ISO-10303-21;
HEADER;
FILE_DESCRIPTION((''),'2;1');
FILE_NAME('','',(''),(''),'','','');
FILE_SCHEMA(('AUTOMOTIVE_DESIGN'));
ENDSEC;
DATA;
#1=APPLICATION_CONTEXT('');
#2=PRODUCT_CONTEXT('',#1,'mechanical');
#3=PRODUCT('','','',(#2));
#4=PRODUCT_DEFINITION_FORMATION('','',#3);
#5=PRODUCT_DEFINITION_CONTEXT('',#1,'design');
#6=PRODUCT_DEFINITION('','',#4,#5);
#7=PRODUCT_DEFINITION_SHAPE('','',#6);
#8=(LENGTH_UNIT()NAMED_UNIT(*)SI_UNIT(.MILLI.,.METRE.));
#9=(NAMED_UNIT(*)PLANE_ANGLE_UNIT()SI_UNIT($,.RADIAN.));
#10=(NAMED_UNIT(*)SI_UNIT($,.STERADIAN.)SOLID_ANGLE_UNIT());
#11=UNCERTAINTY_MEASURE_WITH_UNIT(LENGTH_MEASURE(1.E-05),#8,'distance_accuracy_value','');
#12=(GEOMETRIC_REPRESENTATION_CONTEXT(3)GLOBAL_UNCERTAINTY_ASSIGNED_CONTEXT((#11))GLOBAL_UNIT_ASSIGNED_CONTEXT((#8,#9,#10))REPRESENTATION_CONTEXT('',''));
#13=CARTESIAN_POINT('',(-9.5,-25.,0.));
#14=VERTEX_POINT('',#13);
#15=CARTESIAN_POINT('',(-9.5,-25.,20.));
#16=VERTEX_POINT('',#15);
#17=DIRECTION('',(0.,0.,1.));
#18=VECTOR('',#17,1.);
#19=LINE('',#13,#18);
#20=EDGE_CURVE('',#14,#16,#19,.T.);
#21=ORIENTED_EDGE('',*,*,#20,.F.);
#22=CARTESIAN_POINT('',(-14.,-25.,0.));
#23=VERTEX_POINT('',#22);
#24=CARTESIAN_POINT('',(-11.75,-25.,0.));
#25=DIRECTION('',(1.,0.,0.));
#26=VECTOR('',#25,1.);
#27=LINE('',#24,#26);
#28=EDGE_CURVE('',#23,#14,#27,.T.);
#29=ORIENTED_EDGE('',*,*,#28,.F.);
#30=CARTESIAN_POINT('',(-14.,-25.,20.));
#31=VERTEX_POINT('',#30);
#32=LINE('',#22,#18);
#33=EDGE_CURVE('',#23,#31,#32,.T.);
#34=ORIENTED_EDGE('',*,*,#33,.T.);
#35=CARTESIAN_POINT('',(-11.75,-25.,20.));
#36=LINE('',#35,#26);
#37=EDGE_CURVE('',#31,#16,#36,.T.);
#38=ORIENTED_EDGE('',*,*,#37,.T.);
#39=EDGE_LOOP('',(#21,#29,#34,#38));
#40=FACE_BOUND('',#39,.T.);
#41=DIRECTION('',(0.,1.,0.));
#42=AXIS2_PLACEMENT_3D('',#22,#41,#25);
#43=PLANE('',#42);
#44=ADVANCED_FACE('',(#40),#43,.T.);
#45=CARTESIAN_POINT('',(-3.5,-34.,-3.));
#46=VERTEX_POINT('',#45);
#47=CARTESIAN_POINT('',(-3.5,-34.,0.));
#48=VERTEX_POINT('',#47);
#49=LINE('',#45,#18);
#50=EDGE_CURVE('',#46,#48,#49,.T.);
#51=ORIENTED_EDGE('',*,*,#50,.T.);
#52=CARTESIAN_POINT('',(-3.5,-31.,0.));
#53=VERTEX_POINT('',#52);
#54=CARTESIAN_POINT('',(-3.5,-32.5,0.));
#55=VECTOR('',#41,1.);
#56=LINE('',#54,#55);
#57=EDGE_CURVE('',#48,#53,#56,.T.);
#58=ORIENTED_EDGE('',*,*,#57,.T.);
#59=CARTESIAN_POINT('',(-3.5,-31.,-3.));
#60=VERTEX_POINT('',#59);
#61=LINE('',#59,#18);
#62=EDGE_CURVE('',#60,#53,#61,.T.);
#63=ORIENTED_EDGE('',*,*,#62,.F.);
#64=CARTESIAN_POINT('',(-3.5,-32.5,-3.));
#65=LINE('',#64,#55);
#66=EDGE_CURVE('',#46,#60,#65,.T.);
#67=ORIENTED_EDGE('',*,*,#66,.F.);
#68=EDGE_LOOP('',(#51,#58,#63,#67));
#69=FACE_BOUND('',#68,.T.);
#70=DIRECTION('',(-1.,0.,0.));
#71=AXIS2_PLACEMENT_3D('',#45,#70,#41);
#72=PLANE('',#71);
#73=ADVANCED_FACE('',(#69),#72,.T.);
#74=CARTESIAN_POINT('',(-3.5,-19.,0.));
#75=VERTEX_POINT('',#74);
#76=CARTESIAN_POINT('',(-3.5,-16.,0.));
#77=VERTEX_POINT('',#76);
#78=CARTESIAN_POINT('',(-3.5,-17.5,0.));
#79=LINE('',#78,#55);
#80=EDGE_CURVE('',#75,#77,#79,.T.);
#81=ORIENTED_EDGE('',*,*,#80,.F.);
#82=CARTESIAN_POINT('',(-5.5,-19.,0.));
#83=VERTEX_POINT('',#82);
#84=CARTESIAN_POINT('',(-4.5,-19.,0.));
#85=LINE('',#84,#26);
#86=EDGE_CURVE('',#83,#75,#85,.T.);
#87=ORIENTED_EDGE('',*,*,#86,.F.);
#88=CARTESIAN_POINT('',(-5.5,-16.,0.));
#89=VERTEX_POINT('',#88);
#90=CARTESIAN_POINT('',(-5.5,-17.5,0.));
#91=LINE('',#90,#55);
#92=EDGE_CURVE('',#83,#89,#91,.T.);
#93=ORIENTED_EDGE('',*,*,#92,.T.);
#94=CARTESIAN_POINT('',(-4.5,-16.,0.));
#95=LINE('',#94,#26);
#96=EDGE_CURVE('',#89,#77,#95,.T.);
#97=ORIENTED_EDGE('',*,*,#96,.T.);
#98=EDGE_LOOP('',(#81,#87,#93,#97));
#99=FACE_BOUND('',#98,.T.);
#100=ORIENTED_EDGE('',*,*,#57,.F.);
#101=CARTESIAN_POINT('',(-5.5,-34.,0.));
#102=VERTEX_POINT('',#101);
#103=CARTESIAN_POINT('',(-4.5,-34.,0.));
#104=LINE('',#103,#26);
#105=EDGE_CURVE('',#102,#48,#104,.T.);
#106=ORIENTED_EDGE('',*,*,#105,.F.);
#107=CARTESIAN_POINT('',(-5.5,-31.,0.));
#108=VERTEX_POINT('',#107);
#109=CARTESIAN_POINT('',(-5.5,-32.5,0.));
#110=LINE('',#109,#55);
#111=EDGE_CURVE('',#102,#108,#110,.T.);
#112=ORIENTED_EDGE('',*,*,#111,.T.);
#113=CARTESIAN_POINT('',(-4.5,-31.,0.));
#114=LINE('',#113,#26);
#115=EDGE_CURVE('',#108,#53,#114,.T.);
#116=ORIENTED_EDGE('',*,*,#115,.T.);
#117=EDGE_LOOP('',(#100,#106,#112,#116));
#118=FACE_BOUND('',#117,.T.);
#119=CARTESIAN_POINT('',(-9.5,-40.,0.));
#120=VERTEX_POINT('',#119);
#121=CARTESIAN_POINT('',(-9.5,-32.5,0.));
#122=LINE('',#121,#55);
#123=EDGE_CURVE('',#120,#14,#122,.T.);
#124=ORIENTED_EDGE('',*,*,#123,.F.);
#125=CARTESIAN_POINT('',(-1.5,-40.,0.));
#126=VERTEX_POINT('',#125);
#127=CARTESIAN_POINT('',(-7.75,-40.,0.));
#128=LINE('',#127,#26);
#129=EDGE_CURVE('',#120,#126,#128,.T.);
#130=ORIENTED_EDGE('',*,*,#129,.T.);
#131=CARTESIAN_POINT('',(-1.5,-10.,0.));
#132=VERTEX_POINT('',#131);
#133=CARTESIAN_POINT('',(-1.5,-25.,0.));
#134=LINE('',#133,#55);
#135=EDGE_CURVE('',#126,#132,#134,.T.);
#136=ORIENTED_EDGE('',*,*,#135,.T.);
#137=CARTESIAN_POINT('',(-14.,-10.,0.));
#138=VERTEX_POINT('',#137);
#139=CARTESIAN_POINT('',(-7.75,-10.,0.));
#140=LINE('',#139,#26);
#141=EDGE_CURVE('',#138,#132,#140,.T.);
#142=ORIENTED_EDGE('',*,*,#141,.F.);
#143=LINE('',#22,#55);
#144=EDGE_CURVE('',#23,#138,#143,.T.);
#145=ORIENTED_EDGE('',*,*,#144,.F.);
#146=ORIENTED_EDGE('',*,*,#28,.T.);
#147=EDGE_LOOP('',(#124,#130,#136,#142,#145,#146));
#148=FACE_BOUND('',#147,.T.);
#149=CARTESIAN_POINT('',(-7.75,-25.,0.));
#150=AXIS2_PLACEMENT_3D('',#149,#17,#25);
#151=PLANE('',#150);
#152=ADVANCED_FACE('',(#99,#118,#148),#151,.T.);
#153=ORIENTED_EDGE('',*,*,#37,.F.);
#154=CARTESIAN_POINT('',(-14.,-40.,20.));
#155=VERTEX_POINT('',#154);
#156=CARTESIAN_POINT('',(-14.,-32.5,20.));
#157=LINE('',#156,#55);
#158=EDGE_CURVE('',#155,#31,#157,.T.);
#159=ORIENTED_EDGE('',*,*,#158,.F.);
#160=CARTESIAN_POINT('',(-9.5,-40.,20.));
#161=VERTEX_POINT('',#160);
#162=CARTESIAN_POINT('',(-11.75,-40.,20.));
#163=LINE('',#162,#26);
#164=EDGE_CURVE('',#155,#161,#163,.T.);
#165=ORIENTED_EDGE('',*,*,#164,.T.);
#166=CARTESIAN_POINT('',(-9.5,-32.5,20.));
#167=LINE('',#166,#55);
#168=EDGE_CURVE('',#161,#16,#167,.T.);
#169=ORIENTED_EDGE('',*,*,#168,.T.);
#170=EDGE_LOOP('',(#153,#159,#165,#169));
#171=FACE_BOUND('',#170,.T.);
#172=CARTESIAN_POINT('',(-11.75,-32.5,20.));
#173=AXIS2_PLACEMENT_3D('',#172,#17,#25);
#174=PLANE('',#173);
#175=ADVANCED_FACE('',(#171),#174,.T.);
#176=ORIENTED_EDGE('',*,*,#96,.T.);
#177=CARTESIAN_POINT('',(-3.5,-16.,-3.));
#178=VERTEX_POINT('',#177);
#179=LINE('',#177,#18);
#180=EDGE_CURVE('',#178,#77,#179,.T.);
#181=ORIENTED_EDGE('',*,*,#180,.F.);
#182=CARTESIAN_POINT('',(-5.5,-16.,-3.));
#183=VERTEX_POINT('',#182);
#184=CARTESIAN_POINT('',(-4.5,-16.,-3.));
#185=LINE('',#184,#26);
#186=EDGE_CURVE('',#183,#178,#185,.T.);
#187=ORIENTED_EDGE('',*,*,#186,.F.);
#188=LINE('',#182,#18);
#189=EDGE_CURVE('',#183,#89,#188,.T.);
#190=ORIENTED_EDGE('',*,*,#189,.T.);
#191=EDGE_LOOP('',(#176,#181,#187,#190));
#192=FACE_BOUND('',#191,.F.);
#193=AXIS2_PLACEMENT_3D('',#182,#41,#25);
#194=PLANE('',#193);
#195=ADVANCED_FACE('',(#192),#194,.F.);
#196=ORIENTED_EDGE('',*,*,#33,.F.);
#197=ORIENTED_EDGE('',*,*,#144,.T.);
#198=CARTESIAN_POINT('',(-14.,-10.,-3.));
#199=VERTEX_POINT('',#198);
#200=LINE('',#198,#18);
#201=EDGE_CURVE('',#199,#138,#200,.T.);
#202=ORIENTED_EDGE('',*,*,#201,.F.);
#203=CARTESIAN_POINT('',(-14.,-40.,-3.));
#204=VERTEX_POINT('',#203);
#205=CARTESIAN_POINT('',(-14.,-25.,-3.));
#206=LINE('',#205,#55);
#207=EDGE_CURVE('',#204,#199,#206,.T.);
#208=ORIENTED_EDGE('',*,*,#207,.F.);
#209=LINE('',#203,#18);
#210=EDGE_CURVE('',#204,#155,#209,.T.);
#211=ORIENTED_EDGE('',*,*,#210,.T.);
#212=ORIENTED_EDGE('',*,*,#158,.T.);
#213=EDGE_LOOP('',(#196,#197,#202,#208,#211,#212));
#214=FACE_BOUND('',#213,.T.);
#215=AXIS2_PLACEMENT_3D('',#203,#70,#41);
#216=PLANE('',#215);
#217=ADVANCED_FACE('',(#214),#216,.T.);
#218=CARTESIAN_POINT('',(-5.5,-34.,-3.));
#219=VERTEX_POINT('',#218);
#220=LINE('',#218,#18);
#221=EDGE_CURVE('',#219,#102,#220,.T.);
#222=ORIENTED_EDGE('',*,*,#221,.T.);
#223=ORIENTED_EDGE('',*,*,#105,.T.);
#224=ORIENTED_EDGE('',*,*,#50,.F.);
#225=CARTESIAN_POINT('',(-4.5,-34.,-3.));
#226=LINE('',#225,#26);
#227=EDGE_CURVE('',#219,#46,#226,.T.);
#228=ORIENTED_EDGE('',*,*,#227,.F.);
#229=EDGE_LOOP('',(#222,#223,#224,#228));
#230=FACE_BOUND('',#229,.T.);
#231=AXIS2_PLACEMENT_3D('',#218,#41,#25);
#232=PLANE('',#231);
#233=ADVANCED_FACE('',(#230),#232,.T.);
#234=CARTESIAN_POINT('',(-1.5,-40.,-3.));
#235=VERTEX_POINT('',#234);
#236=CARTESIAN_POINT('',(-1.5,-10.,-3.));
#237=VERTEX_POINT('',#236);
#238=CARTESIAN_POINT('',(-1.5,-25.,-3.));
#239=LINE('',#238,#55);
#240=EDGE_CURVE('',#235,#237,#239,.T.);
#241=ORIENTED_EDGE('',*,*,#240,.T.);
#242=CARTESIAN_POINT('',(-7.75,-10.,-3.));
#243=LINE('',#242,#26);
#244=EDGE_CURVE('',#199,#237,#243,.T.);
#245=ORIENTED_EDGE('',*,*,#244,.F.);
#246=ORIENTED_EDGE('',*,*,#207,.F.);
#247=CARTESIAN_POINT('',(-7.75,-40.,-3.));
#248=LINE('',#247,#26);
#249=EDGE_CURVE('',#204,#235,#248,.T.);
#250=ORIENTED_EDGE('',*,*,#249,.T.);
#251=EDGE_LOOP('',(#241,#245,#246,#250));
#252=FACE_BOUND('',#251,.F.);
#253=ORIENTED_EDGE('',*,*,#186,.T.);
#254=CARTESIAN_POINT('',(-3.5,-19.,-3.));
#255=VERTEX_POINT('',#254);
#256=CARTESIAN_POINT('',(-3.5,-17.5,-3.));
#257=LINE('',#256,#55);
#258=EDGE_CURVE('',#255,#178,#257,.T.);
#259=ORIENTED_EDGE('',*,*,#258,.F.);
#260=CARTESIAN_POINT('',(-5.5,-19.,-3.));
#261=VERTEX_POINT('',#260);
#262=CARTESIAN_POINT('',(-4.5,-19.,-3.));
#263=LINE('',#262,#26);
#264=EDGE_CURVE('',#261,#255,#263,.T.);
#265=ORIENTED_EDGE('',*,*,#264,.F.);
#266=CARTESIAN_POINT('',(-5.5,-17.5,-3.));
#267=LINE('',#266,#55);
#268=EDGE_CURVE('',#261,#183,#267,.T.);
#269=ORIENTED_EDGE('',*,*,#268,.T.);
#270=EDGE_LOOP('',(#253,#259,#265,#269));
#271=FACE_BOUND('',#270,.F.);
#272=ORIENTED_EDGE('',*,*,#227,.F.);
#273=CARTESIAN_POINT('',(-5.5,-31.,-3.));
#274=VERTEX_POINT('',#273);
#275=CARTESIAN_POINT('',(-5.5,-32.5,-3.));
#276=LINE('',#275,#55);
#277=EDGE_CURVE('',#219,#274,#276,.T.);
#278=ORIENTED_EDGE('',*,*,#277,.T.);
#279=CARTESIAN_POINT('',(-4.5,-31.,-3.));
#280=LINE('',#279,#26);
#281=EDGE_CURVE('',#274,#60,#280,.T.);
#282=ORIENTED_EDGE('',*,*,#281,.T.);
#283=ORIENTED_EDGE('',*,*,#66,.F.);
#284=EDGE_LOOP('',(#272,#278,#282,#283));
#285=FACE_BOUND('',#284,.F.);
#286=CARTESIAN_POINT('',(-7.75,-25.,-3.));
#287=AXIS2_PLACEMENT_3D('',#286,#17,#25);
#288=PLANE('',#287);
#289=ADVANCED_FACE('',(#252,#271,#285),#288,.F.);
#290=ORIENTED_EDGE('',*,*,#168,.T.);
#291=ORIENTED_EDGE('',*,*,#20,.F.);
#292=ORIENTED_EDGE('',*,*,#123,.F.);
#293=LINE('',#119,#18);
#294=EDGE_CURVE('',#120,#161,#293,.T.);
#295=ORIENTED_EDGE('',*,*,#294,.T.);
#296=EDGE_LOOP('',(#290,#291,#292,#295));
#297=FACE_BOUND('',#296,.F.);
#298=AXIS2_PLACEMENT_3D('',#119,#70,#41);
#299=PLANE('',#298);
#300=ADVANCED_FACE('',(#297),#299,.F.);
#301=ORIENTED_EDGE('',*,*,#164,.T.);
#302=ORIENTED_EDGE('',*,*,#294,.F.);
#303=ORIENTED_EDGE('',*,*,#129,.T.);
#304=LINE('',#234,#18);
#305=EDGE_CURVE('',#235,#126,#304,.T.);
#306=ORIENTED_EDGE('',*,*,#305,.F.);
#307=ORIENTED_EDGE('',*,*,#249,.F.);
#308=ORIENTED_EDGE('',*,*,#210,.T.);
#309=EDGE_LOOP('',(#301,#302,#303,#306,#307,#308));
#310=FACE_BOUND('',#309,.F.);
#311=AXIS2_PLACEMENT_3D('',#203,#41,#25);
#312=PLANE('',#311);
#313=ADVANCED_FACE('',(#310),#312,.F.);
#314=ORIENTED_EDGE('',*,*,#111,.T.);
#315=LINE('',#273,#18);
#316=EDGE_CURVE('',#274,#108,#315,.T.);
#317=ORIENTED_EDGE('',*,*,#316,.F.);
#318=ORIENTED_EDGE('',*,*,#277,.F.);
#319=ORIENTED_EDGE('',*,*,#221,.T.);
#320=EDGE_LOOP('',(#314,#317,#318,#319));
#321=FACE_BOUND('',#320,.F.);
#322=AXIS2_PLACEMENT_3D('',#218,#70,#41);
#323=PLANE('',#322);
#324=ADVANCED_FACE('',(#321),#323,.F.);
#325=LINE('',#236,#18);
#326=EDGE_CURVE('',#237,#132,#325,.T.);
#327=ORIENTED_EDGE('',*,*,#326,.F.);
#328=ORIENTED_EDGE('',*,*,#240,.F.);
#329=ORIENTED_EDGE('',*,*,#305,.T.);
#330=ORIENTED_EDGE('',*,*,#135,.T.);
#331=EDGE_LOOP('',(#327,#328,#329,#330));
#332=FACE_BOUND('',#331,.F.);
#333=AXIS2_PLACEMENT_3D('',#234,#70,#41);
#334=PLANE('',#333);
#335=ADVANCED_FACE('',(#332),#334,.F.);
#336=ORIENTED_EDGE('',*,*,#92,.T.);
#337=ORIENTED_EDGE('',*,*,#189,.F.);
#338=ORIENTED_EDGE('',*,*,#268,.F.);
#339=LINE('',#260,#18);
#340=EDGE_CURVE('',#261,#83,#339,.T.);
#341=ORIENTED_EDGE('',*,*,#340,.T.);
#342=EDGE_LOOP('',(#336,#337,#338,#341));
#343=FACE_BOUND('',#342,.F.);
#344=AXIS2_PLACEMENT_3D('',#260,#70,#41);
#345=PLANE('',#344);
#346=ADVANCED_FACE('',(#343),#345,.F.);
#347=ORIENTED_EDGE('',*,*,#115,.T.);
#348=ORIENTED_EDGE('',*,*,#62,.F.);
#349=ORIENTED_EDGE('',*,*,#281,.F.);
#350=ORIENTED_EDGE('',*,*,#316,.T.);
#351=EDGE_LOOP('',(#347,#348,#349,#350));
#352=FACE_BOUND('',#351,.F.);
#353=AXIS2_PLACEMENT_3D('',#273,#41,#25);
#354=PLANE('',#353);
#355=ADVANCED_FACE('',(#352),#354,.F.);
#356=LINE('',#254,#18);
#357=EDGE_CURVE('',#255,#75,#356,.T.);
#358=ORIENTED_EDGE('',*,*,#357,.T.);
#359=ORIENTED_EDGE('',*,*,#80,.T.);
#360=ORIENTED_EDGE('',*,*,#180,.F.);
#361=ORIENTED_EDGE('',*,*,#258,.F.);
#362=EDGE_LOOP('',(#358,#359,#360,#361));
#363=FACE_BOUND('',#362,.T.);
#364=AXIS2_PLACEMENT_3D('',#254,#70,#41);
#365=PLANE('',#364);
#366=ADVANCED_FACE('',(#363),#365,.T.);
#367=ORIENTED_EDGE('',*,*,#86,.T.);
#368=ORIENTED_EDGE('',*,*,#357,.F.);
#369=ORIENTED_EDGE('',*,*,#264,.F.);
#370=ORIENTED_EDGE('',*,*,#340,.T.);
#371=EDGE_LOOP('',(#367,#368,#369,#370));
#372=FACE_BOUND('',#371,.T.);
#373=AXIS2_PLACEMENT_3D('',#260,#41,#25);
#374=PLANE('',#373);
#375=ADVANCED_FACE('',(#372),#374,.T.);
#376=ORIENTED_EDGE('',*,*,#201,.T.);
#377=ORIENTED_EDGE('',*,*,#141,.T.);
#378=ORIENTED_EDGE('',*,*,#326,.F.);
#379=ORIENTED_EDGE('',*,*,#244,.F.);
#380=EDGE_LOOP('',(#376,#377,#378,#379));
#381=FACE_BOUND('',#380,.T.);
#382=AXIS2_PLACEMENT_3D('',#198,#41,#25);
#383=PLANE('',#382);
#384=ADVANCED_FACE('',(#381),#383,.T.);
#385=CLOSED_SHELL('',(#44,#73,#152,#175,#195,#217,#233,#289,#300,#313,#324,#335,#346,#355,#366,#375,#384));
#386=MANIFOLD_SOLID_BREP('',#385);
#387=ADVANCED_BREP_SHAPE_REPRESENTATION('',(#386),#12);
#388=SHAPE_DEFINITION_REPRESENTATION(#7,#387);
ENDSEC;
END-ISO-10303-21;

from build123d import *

# Parameters (mm, degrees)
BOX007_W     = 2
BOX007_H     = 3
BOX007_DEPTH = 3
BOX008_W     = 2
BOX008_H     = 3
BOX008_DEPTH = 3
BOX006_W     = 12.5
BOX006_H     = 30
BOX006_DEPTH = 3
BOX005_W     = 4.5
BOX005_H     = 15
BOX005_DEPTH = 20


with BuildPart() as cube007:
    # Box007 → Box007 (new body)
    with BuildSketch(Plane(origin=(-5.5, -34, -3), x_dir=(1, 0, 0), z_dir=(0, 0, 1))):
        with Locations((1, 1.5)):
            Rectangle(BOX007_W, BOX007_H)
    extrude(amount=BOX007_DEPTH)


with BuildPart() as fusion:
    # Box008 → Box008 (new body)
    with BuildSketch(Plane(origin=(-5.5, -19, -3), x_dir=(1, 0, 0), z_dir=(0, 0, 1))):
        with Locations((1, 1.5)):
            Rectangle(BOX008_W, BOX008_H)
    extrude(amount=BOX008_DEPTH)

    # Fusion: union Cube007
    add(cube007.part)


with BuildPart() as cut004:
    # Box006 → Box006 (new body)
    with BuildSketch(Plane(origin=(-14, -40, -3), x_dir=(1, 0, 0), z_dir=(0, 0, 1))):
        with Locations((6.25, 15)):
            Rectangle(BOX006_W, BOX006_H)
    extrude(amount=BOX006_DEPTH)

    # Cut004: cut Fusion
    add(fusion.part, mode=Mode.SUBTRACT)


with BuildPart() as lock:
    # Box005 → Box005 (new body)
    with BuildSketch(Plane(origin=(-14, -40, 0), x_dir=(1, 0, 0), z_dir=(0, 0, 1))):
        with Locations((2.25, 7.5)):
            Rectangle(BOX005_W, BOX005_H)
    extrude(amount=BOX005_DEPTH)

    # Fusion001: union Cut004
    add(cut004.part)


solid = lock.part
